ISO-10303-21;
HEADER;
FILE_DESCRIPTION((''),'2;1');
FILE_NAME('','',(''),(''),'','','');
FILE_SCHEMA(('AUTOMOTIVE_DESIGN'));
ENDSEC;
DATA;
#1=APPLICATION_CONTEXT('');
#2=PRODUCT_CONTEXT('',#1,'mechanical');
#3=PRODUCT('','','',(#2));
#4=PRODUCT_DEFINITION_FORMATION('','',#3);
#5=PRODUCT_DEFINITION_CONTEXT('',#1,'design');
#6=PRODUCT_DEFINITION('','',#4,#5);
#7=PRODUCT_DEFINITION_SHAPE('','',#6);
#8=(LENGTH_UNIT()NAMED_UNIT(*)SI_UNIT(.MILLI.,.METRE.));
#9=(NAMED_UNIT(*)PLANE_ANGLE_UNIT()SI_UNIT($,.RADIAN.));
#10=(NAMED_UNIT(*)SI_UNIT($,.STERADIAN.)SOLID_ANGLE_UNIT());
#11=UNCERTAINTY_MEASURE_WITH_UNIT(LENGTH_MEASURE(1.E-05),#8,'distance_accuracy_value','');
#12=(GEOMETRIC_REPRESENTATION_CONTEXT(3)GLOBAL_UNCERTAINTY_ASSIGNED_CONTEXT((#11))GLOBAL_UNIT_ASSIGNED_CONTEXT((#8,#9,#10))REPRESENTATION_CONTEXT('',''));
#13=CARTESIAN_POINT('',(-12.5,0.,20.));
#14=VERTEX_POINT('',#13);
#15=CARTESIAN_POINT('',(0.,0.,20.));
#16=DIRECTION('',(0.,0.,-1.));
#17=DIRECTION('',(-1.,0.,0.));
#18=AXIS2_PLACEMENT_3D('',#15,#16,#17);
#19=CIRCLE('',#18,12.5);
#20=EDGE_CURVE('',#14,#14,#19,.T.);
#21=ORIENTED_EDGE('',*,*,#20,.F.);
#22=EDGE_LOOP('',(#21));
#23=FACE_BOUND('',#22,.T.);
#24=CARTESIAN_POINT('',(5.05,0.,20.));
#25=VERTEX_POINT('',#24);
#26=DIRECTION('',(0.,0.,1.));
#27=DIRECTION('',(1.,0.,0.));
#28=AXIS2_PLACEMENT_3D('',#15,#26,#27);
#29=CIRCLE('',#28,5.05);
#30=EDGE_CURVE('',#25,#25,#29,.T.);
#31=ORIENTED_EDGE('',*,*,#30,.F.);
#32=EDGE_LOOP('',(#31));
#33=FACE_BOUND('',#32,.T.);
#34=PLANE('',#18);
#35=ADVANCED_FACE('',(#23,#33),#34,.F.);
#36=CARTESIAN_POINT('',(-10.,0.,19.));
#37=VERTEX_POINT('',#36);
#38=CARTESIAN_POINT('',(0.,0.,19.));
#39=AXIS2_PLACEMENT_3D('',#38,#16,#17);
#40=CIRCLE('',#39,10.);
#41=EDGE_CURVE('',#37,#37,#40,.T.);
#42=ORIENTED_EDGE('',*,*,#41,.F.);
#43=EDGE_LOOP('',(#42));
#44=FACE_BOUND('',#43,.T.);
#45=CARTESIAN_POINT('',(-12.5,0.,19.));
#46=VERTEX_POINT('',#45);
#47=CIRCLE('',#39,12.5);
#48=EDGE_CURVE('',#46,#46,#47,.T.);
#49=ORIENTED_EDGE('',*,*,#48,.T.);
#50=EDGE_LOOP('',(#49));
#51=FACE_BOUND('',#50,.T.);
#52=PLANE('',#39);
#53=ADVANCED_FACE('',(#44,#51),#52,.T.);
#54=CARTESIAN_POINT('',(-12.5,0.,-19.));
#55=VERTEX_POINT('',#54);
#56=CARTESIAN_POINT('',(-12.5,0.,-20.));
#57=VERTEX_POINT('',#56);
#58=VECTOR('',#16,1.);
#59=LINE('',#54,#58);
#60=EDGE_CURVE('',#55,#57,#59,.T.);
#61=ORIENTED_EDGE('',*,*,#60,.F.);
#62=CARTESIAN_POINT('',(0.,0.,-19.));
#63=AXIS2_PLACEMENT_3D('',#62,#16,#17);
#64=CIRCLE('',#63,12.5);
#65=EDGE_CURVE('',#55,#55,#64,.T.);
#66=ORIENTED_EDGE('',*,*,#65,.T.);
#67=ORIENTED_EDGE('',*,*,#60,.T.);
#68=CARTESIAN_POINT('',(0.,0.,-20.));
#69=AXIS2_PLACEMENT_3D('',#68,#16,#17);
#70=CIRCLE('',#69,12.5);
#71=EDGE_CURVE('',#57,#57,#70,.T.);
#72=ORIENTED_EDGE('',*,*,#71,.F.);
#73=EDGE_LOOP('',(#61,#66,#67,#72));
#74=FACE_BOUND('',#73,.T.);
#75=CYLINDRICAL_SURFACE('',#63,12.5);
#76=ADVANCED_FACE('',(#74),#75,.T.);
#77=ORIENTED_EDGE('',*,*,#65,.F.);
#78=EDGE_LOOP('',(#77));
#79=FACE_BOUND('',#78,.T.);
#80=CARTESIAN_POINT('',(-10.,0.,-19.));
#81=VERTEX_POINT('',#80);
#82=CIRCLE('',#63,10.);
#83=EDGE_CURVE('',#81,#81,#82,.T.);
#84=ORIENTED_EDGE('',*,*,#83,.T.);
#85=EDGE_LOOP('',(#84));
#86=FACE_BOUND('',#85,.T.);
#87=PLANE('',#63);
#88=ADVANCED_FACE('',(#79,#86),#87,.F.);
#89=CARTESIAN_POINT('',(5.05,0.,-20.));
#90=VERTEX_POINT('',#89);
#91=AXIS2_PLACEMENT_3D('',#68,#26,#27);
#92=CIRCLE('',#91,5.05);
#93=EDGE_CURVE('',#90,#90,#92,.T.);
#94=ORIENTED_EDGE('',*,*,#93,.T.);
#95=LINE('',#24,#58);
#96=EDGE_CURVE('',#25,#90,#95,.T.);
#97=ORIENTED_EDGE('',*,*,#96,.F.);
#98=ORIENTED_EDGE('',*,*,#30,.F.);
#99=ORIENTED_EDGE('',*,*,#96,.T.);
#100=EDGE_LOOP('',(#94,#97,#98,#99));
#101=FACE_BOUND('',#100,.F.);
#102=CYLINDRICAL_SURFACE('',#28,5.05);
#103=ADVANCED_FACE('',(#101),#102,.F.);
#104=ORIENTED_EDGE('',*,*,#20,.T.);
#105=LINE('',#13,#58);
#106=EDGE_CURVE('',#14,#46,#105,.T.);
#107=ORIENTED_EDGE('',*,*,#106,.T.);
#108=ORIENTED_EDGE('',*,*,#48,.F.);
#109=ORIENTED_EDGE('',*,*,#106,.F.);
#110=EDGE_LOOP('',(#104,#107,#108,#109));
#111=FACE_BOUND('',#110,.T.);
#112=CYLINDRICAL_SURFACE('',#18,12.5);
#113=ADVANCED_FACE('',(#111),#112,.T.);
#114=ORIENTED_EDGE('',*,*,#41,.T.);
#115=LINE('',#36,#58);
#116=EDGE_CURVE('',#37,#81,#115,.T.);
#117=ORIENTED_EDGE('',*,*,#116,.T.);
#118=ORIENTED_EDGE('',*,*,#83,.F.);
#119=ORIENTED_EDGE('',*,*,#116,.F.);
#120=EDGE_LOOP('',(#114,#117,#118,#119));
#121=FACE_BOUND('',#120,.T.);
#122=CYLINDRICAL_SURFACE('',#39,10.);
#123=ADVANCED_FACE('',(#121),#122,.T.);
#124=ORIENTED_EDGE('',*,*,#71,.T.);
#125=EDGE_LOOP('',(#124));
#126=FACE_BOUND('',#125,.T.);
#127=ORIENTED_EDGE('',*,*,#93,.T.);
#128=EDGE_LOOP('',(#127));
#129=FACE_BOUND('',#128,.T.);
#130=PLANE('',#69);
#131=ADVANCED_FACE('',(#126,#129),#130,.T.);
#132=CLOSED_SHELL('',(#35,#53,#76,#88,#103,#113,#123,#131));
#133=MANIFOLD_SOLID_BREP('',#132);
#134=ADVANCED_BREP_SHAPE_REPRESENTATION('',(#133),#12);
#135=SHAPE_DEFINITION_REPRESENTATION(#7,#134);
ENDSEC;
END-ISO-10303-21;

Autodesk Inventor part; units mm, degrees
ref_plane "YZ Plane" through (0, 0, 0) normal (1, 0, 0) x (0, 1, 0)
ref_plane "XZ Plane" through (0, 0, 0) normal (0, 1, 0) x (-1, 0, 0)
ref_plane "XY Plane" through (0, 0, 0) normal (0, 0, 1) x (1, 0, 0)
sketch "Skizze1" plane through (0, 0, 0) normal (0, 1, 0) x (-1, 0, 0)
  line L0 (0, 20) -> (12.5, 20)
  line L1 (12.5, 20) -> (12.5, 19)
  line L2 (12.5, 19) -> (10, 19)
  line L3 (10, 19) -> (10, -19)
  line L4 (10, -19) -> (12.5, -19)
  line L5 (12.5, -19) -> (12.5, -20)
  line L6 (12.5, -20) -> (0, -20)
  line L7 (0, 20) -> (0, -20)
  line L8 (15, 0) -> (-2.5, 0) projected
  line L9 (0, -28) -> (0, 28) projected
  point P0 (0, 0)
  dimension "d4" = 20
  dimension "d5" = 25
  dimension "d6" = 40
  dimension "d7" = 1
revolve "Umdrehung1" add sketch "Skizze1" angle 360 about axis through (0, 0, 20) along (0, 0, -1)
sketch "Skizze2" plane through (0, 0, 20) normal (0, 0, 1) x (1, 0, 0)
  circle A0 centre (0, 0) radius 12.5 projected
  circle A1 centre (0, 0) radius 5.05
  dimension "d1" = 10.1
extrude "Extrusion1" cut sketch "Skizze2" against normal through all contours A1
properties part number "Seil_Rolle_Antrieb"
